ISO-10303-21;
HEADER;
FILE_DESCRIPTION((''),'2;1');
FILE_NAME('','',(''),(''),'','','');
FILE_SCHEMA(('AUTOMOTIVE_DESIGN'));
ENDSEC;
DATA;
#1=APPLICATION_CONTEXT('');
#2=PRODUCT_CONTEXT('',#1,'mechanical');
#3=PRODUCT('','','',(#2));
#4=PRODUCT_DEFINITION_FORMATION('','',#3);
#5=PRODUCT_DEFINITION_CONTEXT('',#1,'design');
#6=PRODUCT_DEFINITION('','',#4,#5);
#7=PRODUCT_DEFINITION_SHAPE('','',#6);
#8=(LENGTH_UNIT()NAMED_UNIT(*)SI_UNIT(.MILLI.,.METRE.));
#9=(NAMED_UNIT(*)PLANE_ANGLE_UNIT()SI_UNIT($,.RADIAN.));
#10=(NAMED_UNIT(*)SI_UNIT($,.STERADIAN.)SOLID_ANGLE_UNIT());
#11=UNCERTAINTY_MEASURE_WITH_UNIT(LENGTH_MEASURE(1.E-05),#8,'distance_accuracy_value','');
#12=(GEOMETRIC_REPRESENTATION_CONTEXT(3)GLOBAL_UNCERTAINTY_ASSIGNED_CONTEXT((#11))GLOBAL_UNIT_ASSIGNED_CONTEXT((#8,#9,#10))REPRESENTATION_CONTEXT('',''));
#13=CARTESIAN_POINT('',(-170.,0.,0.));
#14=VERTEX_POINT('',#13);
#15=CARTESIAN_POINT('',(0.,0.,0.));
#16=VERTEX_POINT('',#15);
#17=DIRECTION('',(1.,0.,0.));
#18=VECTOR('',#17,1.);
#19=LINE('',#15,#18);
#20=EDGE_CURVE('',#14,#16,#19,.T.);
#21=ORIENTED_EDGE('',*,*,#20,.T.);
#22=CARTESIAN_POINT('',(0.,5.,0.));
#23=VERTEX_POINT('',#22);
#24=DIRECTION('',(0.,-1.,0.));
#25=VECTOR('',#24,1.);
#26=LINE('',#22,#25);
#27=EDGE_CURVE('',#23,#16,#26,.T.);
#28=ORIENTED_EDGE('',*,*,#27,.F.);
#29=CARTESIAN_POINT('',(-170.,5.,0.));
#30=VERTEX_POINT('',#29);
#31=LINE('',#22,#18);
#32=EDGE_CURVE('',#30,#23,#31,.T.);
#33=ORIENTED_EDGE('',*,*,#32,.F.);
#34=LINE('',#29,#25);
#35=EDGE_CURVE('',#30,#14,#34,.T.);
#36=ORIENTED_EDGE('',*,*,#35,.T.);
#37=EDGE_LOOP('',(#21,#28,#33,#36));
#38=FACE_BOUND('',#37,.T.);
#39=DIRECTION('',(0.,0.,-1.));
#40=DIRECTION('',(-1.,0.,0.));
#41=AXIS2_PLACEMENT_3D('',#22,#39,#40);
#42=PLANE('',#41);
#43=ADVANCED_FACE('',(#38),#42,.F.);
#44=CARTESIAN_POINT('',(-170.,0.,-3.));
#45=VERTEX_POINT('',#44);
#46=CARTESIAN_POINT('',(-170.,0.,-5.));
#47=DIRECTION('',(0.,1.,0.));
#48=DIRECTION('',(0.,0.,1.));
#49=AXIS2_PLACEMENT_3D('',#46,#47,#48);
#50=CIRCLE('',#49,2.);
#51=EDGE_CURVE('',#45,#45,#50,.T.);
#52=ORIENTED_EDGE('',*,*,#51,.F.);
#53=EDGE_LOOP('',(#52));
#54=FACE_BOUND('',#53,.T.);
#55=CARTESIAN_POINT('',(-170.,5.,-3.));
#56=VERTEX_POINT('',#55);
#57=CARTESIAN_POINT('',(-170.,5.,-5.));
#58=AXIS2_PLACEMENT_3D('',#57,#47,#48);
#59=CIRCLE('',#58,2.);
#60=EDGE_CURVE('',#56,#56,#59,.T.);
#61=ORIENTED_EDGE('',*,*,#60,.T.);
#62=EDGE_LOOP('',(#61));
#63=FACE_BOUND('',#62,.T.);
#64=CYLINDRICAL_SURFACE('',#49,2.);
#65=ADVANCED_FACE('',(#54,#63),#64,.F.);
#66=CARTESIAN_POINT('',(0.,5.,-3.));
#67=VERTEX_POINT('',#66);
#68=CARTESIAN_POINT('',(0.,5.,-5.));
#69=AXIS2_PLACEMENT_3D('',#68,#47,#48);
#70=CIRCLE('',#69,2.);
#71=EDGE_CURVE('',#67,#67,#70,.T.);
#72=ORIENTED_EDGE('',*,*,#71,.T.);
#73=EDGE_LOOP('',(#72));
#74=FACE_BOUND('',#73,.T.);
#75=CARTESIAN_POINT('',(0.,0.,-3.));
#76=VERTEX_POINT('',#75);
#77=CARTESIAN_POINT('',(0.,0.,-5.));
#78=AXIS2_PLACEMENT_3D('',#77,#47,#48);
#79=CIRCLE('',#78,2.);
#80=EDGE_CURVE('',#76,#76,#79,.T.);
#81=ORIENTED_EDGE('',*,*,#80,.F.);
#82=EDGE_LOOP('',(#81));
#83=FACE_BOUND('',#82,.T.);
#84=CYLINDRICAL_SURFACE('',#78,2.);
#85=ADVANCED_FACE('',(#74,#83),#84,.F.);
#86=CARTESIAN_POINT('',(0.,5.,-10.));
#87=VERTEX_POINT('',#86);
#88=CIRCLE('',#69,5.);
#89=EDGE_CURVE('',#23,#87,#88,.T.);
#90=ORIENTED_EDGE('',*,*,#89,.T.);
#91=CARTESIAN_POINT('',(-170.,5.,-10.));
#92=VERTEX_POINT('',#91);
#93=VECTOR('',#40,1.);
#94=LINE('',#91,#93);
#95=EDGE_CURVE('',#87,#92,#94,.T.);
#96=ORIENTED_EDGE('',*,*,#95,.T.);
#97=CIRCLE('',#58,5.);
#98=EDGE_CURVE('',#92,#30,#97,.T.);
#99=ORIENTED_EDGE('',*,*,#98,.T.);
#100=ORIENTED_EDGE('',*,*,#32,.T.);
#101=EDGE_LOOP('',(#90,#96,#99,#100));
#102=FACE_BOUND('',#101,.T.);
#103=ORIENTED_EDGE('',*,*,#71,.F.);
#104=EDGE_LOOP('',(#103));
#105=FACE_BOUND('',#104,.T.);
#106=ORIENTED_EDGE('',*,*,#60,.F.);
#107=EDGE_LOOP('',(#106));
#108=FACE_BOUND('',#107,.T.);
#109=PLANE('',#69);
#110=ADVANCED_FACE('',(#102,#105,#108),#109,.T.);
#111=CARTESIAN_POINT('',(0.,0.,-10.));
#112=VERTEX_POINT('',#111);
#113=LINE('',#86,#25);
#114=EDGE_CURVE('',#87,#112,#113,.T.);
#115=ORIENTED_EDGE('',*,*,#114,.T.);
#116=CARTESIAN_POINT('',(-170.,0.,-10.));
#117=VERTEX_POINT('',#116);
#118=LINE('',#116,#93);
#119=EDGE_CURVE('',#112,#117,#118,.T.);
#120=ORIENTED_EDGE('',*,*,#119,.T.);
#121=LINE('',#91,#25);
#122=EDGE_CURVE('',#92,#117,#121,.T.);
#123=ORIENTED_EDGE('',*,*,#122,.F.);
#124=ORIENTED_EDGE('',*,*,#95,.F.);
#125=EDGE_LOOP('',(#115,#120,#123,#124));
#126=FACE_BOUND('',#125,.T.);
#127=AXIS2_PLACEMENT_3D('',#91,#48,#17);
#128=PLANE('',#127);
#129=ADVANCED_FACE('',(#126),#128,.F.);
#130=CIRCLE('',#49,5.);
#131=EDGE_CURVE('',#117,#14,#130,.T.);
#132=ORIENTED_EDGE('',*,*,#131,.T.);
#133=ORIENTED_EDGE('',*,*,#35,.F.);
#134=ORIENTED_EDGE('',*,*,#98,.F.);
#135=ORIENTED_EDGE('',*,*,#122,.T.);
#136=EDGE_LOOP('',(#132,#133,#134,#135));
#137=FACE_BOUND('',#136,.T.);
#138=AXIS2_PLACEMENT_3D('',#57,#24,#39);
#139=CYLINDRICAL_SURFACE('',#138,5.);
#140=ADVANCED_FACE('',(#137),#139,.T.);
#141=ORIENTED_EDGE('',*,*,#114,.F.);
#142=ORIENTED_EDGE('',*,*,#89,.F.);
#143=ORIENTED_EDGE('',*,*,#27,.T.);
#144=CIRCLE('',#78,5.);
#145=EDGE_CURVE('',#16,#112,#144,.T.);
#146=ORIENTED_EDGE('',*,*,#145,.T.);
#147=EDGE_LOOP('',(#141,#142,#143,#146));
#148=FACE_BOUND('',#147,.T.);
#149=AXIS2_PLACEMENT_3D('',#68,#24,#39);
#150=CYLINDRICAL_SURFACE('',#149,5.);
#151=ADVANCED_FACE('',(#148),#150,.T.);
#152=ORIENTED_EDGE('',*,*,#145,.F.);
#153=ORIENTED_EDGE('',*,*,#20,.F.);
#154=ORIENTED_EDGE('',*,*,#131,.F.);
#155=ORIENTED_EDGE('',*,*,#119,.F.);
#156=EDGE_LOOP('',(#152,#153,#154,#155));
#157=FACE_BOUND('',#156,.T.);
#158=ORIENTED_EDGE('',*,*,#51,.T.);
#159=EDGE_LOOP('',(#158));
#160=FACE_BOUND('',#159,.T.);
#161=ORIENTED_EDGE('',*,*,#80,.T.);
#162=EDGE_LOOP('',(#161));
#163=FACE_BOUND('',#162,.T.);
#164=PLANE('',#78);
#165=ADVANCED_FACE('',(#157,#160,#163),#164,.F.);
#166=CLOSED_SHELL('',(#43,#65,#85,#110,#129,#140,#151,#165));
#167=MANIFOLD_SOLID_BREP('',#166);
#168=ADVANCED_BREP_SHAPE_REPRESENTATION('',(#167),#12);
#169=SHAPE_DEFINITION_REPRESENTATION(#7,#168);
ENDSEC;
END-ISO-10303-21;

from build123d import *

# Parameters (mm, degrees)
EXTRUDE_1_DEPTH     = 5
SKETCH_2_R          = 2
CUT_EXTRUDE_1_DEPTH = 5


with BuildPart() as part:
    # 草图1 → 凸台-拉伸1 (new body)
    with BuildSketch(Plane(origin=(0, 0, 0), x_dir=(1, 0, 0), z_dir=(0, 1, 0))):
        with BuildLine():
            Line((0, 0), (-170, 0))
            ThreePointArc((-170, 0), (-175, 5), (-170, 10))
            Line((-170, 10), (0, 10))
            ThreePointArc((0, 10), (5, 5), (0, 0))
        make_face()
    extrude(amount=EXTRUDE_1_DEPTH)

    # 草图2 → 切除-拉伸1 (cut)
    with BuildSketch(Plane(origin=(0, 5, 0), x_dir=(1, 0, 0), z_dir=(0, 1, 0))):
        with Locations(Location((-170, 5, 0), (0, 0, 270))):
            Circle(SKETCH_2_R)
        with Locations(Location((0, 5, 0), (0, 0, 270))):
            Circle(SKETCH_2_R)
    extrude(amount=-CUT_EXTRUDE_1_DEPTH, mode=Mode.SUBTRACT)


solid = part.part
